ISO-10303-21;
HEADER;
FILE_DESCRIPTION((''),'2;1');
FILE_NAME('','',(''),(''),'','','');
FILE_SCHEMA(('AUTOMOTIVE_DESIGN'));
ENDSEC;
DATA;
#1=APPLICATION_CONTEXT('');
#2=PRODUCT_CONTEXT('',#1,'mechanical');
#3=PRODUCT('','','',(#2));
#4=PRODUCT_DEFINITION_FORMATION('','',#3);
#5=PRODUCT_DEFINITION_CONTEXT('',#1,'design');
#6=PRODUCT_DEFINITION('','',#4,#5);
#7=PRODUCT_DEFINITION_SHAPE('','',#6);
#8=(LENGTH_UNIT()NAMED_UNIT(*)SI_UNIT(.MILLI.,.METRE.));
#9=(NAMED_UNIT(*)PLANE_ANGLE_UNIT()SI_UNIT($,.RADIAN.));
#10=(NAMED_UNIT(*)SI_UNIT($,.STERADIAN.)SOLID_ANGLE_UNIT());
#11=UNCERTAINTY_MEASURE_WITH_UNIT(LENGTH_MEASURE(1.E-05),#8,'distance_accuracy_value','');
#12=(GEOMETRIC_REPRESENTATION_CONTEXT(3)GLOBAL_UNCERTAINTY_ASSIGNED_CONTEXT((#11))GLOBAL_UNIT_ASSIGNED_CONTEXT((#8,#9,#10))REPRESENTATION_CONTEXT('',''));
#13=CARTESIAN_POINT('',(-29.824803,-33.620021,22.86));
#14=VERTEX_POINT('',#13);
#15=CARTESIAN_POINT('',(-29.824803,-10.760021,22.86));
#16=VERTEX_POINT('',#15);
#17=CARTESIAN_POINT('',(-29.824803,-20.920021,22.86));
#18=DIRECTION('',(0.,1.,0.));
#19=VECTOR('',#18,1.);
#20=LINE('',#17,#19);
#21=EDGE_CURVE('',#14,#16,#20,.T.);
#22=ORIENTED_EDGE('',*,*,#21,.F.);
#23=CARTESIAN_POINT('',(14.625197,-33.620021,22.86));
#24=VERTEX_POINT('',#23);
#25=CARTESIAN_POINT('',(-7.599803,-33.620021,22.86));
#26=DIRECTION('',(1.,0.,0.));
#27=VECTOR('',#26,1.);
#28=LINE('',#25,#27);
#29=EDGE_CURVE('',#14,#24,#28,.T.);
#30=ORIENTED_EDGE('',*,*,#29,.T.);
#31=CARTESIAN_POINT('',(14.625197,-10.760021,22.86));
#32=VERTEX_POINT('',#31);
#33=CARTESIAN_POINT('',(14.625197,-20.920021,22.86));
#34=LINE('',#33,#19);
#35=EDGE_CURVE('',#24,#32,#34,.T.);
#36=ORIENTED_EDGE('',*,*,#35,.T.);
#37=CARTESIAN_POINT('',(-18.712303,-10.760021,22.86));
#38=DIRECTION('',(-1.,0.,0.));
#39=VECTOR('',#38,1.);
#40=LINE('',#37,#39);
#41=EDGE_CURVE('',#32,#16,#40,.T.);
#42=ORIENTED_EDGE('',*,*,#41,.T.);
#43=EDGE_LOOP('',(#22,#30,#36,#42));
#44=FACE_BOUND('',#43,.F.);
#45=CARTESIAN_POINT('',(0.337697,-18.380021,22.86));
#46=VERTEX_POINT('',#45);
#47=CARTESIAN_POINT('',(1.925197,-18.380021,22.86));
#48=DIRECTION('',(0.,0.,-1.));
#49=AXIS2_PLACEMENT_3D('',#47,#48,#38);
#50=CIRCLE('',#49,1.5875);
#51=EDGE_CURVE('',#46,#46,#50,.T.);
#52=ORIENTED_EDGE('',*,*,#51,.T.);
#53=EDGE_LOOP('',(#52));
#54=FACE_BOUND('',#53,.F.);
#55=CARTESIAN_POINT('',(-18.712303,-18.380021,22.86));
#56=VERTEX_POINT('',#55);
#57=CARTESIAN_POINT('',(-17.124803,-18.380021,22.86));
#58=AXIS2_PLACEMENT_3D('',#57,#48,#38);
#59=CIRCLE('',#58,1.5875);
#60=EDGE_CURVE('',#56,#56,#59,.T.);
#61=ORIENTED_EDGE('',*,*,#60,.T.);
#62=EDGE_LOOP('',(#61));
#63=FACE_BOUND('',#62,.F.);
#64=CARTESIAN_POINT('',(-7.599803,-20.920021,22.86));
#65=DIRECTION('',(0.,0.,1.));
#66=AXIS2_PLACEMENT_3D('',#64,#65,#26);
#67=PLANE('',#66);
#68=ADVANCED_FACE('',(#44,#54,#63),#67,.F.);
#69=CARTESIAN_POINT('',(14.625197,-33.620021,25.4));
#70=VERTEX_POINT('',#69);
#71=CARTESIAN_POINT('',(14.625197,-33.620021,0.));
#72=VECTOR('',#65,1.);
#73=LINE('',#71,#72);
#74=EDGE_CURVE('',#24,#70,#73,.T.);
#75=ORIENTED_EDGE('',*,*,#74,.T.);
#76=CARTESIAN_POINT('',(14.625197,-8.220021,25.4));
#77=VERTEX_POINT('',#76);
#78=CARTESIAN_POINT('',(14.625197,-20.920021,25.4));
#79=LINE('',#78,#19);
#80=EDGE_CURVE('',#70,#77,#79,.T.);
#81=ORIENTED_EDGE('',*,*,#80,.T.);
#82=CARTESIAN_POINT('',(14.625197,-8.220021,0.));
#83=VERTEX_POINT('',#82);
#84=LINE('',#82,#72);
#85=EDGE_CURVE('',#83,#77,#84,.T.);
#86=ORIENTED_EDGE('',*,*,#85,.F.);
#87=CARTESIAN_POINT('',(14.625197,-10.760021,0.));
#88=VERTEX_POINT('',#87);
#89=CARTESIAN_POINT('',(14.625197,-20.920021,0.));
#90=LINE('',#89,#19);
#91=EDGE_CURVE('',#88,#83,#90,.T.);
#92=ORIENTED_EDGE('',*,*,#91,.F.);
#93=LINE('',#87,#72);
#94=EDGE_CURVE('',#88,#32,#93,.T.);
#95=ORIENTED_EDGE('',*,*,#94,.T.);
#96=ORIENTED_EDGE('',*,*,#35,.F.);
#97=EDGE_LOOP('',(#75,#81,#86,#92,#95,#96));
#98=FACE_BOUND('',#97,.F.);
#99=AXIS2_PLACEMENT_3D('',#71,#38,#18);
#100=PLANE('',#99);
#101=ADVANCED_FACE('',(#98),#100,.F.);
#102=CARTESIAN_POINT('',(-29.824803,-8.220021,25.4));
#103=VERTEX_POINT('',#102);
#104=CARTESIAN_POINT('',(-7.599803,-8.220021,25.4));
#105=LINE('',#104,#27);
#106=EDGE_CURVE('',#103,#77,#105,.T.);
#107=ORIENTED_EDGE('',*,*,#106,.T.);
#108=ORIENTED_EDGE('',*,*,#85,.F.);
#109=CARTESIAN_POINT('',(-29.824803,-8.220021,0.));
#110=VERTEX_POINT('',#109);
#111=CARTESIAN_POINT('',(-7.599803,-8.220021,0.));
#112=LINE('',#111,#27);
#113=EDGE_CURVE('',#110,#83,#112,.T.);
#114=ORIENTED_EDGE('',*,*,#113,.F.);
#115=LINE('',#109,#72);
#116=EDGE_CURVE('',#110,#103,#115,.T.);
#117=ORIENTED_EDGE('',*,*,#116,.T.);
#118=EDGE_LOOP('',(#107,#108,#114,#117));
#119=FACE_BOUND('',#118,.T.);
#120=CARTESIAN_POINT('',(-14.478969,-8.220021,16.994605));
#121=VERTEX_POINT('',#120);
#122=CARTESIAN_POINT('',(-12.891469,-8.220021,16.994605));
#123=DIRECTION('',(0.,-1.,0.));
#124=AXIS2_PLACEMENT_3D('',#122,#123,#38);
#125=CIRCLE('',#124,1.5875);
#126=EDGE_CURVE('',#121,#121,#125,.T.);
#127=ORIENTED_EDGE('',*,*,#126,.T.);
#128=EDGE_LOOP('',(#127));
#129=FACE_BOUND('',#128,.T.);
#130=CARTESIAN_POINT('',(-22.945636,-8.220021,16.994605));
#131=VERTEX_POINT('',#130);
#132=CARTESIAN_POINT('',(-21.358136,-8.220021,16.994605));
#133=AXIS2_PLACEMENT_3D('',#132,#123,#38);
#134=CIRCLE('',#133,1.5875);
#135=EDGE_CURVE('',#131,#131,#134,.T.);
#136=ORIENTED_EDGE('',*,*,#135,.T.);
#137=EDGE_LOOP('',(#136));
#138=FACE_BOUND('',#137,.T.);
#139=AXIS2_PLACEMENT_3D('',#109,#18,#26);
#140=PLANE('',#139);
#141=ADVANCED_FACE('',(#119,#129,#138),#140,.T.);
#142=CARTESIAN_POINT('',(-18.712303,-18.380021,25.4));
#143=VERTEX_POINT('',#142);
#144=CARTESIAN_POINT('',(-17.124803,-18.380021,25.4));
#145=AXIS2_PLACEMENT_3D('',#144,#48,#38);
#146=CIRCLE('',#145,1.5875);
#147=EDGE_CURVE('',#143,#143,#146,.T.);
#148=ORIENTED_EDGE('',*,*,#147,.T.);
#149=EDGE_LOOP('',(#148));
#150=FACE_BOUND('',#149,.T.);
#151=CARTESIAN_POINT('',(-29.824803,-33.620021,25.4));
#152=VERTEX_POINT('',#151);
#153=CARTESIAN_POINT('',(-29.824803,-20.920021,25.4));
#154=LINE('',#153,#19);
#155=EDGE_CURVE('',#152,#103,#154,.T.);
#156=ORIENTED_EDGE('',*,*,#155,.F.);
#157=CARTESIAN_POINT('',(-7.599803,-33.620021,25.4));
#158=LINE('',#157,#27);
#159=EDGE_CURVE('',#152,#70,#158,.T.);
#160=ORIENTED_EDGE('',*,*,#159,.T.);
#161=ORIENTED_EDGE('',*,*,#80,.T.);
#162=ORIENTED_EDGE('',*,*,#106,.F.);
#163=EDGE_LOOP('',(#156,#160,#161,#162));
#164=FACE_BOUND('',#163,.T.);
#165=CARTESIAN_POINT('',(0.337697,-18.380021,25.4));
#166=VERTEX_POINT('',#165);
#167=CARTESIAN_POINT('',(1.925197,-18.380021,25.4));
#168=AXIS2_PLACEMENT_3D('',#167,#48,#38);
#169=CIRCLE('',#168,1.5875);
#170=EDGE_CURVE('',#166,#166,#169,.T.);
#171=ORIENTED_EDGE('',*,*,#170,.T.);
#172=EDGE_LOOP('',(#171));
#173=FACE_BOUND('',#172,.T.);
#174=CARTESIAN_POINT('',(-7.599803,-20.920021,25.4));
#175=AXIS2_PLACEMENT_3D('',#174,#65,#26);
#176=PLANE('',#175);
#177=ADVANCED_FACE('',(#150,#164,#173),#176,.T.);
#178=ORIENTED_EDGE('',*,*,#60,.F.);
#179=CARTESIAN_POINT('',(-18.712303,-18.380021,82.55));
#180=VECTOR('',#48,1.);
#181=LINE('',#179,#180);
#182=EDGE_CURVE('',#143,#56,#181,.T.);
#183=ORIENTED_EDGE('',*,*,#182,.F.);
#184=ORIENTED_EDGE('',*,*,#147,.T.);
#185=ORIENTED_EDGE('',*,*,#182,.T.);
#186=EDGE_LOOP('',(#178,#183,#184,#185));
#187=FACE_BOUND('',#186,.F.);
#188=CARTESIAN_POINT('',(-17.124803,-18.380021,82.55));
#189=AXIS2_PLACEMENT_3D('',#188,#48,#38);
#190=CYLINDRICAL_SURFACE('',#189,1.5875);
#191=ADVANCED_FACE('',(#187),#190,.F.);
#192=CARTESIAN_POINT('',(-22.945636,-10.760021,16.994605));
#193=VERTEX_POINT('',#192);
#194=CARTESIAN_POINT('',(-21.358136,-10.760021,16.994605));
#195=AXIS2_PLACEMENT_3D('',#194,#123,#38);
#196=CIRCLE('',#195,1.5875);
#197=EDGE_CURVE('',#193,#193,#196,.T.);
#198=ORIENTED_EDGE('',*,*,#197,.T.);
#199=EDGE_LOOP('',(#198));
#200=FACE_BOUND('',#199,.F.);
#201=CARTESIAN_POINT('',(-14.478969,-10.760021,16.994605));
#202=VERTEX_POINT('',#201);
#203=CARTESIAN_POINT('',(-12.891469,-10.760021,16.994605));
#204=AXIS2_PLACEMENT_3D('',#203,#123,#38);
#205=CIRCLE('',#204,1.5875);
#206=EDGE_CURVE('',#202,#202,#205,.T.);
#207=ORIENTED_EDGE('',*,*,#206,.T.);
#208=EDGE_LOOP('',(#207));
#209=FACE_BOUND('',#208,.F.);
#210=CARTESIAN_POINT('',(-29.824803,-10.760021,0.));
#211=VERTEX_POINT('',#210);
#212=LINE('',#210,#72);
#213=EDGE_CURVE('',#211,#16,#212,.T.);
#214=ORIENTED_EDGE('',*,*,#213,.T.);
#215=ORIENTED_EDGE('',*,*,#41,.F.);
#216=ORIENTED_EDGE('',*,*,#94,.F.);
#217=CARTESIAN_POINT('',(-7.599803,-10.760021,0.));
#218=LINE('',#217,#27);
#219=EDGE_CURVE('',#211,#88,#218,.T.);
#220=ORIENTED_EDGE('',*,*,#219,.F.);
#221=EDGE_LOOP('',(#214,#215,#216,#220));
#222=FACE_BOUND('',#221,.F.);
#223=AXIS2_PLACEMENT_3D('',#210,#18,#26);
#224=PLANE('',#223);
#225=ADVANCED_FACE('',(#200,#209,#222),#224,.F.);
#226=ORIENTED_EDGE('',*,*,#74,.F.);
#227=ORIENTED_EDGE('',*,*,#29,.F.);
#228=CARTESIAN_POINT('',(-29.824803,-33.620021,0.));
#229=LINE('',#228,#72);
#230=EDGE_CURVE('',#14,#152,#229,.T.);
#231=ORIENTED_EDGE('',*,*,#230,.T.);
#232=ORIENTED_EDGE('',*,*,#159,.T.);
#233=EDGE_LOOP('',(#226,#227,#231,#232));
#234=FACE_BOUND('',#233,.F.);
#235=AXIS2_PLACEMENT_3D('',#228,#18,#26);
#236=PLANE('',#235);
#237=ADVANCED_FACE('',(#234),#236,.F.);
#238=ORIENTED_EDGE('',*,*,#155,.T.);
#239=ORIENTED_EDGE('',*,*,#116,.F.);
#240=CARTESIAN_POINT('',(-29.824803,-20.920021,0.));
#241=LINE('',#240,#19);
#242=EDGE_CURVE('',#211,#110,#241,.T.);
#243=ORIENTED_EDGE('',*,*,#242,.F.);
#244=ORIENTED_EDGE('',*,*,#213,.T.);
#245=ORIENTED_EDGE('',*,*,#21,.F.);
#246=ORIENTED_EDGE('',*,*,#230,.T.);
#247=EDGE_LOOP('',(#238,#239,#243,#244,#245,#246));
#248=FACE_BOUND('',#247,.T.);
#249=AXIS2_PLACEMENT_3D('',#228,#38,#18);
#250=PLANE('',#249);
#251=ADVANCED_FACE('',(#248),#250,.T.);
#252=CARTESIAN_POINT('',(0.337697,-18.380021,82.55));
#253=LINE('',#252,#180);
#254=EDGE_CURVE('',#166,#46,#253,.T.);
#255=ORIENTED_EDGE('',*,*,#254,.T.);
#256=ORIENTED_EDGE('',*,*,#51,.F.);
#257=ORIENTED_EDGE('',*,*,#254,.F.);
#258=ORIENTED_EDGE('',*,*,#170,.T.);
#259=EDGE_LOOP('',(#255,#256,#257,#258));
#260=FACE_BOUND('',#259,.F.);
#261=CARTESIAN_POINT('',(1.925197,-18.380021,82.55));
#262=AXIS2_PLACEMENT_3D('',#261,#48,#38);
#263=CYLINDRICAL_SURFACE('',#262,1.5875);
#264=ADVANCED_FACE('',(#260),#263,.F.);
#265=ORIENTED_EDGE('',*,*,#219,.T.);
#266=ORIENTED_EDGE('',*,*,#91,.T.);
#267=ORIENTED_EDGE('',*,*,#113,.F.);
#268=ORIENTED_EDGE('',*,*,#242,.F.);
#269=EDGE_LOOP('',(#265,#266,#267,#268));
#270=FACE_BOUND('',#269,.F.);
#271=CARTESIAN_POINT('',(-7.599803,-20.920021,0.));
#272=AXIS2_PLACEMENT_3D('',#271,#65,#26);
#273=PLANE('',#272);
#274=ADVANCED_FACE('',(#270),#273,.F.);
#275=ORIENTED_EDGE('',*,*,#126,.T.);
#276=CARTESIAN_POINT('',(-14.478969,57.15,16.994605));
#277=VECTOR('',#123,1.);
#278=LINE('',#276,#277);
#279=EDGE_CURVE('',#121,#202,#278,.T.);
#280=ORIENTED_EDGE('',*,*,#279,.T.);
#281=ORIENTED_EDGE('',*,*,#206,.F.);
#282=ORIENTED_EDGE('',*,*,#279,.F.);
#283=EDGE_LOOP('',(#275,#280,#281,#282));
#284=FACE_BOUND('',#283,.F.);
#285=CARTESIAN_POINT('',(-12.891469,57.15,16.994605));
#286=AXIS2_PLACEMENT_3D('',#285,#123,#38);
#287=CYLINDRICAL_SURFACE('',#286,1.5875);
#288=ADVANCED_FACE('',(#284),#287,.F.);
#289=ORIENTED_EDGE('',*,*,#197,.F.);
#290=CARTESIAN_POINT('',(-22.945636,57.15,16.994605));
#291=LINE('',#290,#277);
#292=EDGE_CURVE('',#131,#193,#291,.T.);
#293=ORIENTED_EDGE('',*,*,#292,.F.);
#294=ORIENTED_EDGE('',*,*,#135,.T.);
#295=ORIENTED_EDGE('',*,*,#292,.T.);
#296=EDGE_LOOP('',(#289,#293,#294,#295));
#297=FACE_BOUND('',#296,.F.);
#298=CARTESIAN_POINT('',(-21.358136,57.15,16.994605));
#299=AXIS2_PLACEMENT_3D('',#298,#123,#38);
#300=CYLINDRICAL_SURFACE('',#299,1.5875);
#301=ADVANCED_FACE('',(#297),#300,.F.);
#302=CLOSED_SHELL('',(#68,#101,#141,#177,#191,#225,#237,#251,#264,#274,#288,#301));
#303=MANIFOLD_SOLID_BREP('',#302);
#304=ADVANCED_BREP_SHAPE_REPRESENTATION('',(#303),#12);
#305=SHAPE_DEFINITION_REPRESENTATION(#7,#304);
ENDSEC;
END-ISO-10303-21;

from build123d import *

# Parameters (mm, degrees)
F0_W     = 44.45
F0_H     = 25.4
F1_DEPTH = 25.4
F2_T     = -2.54
F4_D     = 3.175
F6_D     = 3.175


with BuildPart() as f1:
    # F0 (on Top) → F1 (new body)
    with BuildSketch(Plane.XY):
        with Locations((-7.5998026878, -20.9200205722)):
            Rectangle(F0_W, F0_H)
    extrude(amount=F1_DEPTH)

    # F2
    f2_openings = [f1.faces().sort_by_distance(p)[0] for p in [
        (14.625197, -20.920021, 12.7),
        (-29.824803, -20.920021, 12.7),
        (-7.599803, -33.620021, 12.7),
        (-7.599803, -20.920021, 0),
    ]]
    offset(amount=F2_T, openings=f2_openings)

    # F4 (through all)
    with Locations(Plane(origin=(0, 0, 0), x_dir=(1, 0, 0), z_dir=(0, 1, 0))):
        with Locations((-12.8914693544, -16.9946048409), (-21.3581360211, -16.9946048409)):
            Hole(F4_D / 2)

    # F6 (through all)
    with Locations(Plane.XY.offset(25.4)):
        with Locations((-17.1248026878, -18.3800205722), (1.9251973122, -18.3800205722)):
            Hole(F6_D / 2)


solid = f1.part
